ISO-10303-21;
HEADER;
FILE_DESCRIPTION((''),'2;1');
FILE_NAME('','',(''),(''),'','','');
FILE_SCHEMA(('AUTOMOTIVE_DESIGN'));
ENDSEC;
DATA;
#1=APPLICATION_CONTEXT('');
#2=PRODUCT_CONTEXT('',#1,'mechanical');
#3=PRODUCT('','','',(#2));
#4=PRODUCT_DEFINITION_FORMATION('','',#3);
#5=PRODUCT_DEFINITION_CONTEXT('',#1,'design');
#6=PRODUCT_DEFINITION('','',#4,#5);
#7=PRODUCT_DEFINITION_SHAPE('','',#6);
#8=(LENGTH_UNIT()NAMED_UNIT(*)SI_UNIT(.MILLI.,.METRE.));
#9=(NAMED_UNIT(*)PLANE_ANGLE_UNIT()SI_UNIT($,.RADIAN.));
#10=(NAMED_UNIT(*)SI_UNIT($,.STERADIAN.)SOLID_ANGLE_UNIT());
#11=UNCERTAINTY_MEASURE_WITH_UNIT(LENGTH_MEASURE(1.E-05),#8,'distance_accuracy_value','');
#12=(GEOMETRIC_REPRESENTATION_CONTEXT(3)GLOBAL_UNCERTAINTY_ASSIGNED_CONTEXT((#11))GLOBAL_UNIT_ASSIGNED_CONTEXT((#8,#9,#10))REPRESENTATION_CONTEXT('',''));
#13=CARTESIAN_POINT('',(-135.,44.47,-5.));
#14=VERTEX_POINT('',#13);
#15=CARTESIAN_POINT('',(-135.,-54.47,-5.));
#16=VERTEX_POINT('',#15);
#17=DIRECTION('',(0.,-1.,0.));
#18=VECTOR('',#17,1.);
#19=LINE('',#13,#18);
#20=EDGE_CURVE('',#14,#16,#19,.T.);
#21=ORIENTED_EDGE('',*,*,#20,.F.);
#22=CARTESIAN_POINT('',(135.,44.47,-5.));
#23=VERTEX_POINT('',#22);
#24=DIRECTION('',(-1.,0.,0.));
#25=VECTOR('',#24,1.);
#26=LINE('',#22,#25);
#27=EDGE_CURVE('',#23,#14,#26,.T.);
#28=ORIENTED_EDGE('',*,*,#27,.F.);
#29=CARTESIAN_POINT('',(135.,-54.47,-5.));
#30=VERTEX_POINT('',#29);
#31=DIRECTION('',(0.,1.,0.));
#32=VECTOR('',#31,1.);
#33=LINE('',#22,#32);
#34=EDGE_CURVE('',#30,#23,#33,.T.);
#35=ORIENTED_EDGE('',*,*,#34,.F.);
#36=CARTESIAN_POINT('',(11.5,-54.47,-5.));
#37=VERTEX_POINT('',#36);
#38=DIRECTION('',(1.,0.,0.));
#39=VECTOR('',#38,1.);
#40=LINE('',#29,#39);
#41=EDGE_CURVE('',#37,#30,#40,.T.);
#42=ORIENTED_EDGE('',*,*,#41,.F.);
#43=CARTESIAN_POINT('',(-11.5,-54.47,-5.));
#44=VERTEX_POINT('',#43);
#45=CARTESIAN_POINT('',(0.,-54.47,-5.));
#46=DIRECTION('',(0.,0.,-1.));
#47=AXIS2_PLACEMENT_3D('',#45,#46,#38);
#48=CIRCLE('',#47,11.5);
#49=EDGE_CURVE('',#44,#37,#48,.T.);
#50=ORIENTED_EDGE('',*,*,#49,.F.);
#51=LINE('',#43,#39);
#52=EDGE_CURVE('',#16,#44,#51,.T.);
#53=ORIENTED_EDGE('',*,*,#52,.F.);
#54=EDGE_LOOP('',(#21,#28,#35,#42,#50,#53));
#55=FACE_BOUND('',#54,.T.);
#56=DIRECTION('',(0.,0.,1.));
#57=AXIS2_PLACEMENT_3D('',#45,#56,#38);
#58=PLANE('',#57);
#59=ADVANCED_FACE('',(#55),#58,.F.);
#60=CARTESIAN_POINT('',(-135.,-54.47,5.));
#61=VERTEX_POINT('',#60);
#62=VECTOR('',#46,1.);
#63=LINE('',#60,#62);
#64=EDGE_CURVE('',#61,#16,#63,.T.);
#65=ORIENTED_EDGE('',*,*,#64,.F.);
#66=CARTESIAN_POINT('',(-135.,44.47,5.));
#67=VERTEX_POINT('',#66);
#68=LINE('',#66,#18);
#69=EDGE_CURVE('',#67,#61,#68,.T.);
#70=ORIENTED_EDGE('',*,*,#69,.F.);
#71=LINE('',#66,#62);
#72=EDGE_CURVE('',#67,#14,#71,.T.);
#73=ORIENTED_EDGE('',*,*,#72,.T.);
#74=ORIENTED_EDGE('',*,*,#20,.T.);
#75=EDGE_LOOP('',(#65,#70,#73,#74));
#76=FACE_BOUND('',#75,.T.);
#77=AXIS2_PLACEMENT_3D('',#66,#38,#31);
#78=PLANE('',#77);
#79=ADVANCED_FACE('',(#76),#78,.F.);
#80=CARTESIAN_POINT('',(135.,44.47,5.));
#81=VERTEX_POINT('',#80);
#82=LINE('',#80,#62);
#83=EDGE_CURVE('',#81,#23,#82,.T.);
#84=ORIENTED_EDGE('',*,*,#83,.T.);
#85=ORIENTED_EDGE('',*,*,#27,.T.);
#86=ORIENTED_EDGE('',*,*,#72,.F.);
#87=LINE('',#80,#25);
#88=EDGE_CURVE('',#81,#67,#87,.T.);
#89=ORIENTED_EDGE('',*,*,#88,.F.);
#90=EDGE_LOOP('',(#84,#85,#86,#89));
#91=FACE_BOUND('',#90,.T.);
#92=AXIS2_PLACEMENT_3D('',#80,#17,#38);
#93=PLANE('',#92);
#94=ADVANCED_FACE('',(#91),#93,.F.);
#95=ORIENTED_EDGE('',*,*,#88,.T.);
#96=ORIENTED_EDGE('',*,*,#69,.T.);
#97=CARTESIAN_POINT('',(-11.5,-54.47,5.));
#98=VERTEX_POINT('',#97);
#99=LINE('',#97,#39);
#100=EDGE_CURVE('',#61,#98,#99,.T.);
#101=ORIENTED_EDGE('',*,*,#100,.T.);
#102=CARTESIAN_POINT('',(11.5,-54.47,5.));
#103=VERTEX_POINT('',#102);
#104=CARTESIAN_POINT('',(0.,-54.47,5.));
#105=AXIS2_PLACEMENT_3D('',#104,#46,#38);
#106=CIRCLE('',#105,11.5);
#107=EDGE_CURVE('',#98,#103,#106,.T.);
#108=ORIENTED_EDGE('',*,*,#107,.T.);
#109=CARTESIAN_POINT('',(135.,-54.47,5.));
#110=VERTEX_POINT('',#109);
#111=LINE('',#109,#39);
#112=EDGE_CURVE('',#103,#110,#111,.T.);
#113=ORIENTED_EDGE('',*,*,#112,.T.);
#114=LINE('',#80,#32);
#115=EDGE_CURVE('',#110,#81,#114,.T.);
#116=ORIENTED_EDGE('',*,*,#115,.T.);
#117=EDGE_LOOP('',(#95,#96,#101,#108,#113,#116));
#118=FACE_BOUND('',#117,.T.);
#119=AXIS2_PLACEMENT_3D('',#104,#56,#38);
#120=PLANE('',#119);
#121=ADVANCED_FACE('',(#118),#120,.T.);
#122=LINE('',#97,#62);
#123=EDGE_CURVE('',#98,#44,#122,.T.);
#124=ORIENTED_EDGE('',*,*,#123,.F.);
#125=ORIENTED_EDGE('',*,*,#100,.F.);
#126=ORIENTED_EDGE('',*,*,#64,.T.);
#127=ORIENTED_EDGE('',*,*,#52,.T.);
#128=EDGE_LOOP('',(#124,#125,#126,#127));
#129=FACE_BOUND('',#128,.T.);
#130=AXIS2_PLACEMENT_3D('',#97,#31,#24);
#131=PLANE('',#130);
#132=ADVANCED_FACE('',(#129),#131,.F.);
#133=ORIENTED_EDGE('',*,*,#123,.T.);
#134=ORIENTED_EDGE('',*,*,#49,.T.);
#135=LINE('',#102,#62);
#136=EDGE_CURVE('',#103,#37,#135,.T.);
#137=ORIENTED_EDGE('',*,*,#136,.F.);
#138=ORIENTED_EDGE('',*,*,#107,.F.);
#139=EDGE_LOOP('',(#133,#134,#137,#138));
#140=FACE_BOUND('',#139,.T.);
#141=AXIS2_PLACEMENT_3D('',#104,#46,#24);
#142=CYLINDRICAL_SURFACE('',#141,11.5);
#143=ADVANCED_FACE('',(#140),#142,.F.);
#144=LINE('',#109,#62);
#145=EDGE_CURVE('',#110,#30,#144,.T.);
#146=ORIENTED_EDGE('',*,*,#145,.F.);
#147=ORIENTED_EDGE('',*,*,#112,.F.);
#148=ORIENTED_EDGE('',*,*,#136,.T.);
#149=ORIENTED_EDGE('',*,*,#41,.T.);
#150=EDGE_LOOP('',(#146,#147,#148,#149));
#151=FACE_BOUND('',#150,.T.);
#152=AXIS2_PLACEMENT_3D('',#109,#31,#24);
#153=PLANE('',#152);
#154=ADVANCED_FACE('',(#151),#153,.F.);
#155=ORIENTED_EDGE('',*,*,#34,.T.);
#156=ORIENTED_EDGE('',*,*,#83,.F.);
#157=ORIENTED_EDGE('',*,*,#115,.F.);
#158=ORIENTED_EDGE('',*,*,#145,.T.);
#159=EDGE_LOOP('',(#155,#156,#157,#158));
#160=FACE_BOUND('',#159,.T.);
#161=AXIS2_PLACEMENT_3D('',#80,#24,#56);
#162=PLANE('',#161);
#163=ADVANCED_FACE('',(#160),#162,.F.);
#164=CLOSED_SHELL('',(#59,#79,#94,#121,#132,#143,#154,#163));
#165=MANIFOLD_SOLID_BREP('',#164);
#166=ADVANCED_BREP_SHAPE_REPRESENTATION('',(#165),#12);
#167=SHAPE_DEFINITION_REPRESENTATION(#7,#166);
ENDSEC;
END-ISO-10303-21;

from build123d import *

# Parameters (mm, degrees)
BOSS_EXTRUDE1_DEPTH = 5


with BuildPart() as part:
    # Sketch1 → Boss-Extrude1 (new body, symmetric)
    with BuildSketch(Plane.XY):
        with BuildLine():
            Line((-11.5, -54.47), (-135, -54.47))
            Line((-135, -54.47), (-135, 44.47))
            Line((-135, 44.47), (135, 44.47))
            Line((135, 44.47), (135, -54.47))
            Line((135, -54.47), (11.5, -54.47))
            ThreePointArc((11.5, -54.47), (0, -42.97), (-11.5, -54.47))
        make_face()
    extrude(amount=BOSS_EXTRUDE1_DEPTH, both=True)


solid = part.part
